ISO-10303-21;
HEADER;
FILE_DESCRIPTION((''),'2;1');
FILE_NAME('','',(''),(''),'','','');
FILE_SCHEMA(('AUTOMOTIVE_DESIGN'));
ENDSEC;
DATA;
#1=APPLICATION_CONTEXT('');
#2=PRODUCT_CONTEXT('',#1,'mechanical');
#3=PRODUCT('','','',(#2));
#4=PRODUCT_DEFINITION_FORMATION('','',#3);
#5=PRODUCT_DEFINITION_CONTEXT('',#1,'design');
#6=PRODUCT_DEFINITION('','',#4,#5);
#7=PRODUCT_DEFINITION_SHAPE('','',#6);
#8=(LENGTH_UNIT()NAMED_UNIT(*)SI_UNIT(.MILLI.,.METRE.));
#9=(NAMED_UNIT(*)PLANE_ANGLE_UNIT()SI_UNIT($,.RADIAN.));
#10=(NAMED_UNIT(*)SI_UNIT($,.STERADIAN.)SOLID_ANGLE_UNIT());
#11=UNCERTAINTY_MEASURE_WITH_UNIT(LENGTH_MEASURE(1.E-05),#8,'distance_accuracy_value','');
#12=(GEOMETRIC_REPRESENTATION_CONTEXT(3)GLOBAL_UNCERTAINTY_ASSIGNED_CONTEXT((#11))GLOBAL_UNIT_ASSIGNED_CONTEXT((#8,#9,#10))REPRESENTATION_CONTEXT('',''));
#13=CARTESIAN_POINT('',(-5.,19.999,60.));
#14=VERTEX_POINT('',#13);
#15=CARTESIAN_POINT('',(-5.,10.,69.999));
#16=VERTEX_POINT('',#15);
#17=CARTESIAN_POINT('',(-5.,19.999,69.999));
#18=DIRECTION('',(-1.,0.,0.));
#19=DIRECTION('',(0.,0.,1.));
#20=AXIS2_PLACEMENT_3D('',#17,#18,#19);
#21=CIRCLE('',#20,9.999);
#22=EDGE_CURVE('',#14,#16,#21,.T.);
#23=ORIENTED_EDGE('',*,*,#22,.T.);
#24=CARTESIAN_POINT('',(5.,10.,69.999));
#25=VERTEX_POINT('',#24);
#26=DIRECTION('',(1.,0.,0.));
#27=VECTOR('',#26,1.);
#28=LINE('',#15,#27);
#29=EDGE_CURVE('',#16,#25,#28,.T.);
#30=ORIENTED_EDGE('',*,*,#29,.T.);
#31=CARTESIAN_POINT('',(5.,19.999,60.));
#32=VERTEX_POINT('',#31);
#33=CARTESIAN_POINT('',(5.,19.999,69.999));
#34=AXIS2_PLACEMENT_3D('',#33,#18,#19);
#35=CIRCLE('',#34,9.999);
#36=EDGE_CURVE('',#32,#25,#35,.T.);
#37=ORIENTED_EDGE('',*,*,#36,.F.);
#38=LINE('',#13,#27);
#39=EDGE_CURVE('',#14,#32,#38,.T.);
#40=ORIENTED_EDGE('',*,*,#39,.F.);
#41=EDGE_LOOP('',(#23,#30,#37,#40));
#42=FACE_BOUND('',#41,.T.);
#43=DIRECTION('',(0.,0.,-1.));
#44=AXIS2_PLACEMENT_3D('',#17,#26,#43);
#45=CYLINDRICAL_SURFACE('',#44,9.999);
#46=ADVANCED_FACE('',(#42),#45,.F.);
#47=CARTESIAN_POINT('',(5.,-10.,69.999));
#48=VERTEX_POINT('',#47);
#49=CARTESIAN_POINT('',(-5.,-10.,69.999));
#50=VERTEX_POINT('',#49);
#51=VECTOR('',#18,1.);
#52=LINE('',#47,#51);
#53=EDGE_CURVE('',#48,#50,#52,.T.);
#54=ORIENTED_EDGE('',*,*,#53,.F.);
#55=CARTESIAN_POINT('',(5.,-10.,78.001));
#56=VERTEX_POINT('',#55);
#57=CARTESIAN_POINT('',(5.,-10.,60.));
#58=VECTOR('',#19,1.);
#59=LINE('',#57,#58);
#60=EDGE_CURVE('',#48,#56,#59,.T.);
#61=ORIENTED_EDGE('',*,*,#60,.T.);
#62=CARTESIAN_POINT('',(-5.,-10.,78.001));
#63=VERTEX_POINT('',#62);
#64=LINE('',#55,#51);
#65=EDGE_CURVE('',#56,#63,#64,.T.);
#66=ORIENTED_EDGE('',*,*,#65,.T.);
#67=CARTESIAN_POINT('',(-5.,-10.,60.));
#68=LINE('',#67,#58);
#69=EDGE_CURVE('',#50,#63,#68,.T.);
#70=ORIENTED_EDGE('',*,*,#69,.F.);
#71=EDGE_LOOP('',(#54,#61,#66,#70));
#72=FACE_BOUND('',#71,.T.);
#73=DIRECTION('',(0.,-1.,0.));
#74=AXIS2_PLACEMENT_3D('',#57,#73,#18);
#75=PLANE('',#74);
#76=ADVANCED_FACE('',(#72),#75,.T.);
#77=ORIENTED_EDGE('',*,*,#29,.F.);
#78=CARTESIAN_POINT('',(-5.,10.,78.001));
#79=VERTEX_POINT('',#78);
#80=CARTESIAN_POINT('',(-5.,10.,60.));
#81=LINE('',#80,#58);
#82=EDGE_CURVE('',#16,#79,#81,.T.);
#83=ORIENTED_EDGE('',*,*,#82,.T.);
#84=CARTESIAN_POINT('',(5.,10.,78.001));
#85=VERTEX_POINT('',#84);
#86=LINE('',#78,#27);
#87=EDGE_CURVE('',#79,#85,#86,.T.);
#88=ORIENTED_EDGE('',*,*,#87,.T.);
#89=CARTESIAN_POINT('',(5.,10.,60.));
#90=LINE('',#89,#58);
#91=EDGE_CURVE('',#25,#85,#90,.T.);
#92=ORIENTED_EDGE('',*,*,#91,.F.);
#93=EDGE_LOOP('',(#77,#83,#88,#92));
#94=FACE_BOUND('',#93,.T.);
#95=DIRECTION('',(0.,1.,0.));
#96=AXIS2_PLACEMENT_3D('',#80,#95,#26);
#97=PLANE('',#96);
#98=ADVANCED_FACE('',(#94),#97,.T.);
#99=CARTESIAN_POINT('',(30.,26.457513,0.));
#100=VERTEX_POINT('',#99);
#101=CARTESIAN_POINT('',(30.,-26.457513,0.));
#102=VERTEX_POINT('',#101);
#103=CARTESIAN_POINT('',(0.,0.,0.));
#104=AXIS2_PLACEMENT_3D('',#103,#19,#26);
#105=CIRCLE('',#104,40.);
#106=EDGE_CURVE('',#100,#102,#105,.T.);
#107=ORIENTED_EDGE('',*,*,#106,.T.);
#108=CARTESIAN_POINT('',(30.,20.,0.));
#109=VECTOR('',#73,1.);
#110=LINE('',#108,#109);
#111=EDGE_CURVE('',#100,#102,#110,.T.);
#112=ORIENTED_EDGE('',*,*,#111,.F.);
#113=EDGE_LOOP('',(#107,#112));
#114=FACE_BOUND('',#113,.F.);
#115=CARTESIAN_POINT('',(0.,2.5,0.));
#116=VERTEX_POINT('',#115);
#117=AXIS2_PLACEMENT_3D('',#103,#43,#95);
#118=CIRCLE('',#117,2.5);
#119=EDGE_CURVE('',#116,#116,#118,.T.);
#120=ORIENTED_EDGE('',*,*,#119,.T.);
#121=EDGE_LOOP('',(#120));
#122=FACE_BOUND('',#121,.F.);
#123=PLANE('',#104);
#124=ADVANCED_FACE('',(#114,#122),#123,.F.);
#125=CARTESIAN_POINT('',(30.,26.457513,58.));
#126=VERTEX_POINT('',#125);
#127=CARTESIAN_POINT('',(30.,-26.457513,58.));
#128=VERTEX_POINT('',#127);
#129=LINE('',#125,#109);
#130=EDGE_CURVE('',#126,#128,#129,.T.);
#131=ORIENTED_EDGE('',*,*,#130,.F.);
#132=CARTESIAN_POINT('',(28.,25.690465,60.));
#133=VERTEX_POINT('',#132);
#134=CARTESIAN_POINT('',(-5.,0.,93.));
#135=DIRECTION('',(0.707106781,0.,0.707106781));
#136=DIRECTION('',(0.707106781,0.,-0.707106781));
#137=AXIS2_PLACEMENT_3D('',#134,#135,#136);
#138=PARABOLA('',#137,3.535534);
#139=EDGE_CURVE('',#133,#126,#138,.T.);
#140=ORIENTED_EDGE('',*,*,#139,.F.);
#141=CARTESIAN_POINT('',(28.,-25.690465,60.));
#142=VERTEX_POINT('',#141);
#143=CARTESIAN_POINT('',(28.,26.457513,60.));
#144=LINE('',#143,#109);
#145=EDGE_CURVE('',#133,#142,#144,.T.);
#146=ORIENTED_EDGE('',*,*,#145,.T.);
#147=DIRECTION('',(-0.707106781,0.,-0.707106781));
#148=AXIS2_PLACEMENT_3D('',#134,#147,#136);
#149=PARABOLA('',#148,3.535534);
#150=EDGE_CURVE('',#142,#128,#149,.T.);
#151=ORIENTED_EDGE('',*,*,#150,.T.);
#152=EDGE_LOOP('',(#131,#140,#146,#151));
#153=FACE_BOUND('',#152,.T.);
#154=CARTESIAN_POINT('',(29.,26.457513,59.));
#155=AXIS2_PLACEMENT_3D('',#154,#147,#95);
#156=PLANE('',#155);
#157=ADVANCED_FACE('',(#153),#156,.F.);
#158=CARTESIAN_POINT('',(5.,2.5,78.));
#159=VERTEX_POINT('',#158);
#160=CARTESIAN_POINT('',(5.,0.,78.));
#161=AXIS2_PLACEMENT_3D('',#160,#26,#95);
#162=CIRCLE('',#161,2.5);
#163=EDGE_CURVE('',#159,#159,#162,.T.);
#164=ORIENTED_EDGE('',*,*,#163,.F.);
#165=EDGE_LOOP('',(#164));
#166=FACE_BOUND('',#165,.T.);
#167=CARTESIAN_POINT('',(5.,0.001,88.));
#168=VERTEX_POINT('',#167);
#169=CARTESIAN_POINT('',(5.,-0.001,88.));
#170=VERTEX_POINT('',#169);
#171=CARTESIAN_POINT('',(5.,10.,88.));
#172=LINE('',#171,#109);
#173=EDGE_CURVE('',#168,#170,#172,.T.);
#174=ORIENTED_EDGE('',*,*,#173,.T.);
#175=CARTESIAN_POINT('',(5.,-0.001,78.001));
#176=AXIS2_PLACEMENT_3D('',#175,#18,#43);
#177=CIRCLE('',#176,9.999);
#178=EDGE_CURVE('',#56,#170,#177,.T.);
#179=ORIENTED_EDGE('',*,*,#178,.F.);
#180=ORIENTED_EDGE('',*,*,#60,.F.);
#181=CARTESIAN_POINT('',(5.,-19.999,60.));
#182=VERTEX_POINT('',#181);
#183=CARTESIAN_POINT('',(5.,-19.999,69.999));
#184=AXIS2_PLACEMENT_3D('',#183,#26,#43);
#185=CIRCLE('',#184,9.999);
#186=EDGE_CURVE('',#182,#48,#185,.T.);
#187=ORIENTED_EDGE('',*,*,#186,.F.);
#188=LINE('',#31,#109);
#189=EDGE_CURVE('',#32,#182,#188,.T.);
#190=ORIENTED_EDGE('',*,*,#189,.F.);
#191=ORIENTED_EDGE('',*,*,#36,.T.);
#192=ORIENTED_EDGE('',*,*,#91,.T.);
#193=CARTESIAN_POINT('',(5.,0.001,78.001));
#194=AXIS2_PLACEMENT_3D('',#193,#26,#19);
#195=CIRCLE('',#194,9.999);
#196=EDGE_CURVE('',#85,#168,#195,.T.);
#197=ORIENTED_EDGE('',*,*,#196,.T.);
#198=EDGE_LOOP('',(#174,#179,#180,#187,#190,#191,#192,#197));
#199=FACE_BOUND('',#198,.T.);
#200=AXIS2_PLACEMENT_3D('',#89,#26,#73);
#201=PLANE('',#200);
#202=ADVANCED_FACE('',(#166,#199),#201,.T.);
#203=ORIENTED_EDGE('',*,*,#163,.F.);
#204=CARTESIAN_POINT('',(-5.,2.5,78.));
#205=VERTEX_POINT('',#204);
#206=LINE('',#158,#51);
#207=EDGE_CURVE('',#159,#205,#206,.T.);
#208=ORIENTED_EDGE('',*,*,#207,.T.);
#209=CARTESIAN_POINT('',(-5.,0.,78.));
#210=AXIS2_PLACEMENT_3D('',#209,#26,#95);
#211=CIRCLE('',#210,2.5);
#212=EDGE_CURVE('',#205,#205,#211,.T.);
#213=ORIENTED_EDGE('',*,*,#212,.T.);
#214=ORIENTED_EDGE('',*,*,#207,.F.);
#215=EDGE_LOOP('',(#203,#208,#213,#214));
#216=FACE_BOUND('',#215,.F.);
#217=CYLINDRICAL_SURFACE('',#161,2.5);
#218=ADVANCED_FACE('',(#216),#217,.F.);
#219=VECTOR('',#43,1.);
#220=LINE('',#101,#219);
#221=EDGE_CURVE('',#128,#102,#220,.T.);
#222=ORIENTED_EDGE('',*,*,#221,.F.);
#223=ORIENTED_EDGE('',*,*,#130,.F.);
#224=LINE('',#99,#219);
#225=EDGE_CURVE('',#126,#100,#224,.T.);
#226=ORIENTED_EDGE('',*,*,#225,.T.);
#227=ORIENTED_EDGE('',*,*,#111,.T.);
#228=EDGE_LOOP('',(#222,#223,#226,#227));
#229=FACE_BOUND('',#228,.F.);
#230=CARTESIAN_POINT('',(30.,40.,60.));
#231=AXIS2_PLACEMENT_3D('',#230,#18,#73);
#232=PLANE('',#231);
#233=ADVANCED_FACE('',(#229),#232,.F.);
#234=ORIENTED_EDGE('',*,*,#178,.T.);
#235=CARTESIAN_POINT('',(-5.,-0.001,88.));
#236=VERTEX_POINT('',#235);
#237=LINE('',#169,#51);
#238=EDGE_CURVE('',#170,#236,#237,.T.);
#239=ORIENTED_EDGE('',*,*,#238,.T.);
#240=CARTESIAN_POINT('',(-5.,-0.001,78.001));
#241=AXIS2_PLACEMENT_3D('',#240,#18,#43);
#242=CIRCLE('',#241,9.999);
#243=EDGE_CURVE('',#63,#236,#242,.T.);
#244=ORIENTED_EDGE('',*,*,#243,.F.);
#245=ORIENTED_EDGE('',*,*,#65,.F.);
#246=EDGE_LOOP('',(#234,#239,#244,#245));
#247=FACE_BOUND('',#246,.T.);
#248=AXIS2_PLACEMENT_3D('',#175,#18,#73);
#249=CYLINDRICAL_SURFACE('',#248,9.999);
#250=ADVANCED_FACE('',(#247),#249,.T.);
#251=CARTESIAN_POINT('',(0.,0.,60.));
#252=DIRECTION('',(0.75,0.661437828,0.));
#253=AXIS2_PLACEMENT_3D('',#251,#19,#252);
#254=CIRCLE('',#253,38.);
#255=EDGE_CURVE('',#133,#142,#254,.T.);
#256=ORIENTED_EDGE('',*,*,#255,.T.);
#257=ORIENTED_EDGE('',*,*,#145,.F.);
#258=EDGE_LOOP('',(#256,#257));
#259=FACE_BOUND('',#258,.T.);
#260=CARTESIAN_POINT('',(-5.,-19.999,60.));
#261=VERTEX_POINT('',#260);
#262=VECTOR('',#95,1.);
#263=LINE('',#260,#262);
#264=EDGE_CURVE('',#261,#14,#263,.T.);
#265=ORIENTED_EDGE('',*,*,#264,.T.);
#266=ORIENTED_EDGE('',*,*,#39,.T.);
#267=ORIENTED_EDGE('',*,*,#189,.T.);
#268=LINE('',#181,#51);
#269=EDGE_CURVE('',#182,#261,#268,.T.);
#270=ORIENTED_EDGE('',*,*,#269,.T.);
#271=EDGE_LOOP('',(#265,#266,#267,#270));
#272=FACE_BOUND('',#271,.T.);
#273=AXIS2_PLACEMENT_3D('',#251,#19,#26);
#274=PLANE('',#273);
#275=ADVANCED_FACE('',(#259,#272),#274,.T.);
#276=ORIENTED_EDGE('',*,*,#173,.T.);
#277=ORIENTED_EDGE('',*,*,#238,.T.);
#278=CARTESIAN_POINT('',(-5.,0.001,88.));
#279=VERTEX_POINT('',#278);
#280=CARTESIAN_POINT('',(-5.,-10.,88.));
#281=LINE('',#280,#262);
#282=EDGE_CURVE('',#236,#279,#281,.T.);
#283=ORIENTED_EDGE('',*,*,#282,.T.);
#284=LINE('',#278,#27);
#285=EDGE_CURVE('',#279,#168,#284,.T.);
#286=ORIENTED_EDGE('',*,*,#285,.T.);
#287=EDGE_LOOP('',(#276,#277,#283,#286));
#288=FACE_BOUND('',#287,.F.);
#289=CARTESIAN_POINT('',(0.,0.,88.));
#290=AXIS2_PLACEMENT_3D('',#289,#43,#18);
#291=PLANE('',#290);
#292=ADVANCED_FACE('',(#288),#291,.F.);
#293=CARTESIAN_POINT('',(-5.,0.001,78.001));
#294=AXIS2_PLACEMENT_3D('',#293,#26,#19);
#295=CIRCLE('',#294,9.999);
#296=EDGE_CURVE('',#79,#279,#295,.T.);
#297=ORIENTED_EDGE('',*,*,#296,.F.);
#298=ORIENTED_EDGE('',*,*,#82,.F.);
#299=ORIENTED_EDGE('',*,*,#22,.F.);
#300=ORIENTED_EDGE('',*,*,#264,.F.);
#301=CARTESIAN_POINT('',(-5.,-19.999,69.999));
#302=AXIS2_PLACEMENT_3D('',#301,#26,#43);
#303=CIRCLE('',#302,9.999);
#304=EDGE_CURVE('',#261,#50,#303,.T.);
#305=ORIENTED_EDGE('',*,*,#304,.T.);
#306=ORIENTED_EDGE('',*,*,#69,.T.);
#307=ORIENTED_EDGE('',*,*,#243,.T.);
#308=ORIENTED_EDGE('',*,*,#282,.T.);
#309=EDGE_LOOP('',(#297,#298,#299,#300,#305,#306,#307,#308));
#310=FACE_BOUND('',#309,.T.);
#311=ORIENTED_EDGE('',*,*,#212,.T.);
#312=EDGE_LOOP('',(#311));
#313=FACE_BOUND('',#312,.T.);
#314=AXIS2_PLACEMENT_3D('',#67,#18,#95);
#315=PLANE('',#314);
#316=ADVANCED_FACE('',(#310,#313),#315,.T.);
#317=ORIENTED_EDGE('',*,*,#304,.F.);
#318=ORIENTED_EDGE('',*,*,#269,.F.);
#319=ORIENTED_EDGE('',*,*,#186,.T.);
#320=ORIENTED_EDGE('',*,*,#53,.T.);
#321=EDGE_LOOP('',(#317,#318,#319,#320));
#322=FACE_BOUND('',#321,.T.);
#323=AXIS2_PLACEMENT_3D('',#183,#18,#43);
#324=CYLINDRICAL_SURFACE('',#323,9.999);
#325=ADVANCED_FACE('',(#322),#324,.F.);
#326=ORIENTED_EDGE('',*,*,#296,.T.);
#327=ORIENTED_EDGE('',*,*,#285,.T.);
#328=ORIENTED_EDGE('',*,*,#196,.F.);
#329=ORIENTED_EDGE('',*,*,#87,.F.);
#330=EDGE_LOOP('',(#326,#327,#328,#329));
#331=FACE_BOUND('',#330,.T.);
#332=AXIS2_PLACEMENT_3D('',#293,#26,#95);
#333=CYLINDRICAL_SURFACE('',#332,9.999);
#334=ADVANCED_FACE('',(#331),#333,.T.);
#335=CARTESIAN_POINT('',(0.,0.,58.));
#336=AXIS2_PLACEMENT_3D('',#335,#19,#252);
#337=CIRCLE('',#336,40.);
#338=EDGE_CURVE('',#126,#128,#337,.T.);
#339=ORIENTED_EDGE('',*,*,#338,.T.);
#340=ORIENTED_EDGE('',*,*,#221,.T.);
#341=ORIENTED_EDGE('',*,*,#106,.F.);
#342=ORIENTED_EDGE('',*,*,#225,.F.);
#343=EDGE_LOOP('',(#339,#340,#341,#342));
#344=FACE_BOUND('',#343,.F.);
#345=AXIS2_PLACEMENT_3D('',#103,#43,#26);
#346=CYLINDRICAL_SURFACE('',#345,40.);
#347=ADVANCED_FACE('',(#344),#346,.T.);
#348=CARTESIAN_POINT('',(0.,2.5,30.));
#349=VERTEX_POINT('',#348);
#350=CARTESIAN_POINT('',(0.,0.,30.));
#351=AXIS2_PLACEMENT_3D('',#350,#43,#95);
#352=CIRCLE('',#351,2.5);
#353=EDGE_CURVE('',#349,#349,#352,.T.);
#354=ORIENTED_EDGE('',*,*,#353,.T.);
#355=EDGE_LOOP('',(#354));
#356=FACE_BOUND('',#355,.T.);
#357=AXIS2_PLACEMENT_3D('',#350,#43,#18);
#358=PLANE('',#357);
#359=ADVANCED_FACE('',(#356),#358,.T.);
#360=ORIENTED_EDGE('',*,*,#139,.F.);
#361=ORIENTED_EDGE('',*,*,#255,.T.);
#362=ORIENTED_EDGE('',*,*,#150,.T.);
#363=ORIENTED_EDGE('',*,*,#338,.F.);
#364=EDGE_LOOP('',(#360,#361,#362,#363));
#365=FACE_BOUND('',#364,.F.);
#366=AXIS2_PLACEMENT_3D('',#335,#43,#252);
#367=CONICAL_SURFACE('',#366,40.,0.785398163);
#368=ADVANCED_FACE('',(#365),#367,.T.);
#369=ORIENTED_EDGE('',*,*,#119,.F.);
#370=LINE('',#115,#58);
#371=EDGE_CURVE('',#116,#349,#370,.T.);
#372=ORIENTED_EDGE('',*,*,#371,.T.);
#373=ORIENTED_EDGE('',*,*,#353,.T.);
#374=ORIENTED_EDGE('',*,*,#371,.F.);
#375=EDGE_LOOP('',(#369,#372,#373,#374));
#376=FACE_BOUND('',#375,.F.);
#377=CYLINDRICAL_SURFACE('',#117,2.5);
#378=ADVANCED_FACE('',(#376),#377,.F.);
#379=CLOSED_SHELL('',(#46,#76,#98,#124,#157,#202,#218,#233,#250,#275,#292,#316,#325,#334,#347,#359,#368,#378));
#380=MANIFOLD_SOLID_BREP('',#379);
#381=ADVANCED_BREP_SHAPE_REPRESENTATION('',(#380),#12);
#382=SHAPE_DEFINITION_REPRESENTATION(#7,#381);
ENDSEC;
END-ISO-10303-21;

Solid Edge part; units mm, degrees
sketch "Sketch1" plane through (0, 0, 0) normal (0, 0, 1) x (1, 0, 0)
  circle A0 centre (0, 0) radius 40
extrude "Protrusion1" add sketch "Sketch1" along normal blind 60
sketch "Sketch2" plane through (0, 0, 60) normal (0, 0, 1) x (0, 1, 0)
  line L0 (10, -5) -> (-10, -5)
  line L1 (-10, -5) -> (-10, 5)
  line L2 (-10, 5) -> (10, 5)
  line L3 (10, 5) -> (10, -5)
extrude "ProtrusiónExtruida_2" add sketch "Sketch2" along normal blind 28
sketch "Sketch3" plane through (5, 0, 74) normal (1, 0, 0) x (0, 1, 0)
  circle A0 centre (0, 4) radius 2.5
extrude "Cutout1" cut sketch "Sketch3" against normal up to next
fillet "Redondeo_1" radius 10 4 edges at (0, -10, 88) (0, 10, 88) (0, -10, 60) (0, 10, 60)
sketch "Sketch4" plane through (0, 0, 0) normal (0, 0, -1) x (0, 1, 0)
  circle A0 centre (0, 0) radius 2.5
extrude "VaciadoExtruido_2" cut sketch "Sketch4" against normal blind 30
sketch "Sketch5" plane through (0, 0, 60) normal (0, 0, 1) x (0, 1, 0)
  line L0 (-40, -40) -> (40, -40)
  line L1 (40, -40) -> (40, -30)
  line L2 (40, -30) -> (-40, -30)
  line L3 (-40, -30) -> (-40, -40)
extrude "Cutout2" cut sketch "Sketch5" against normal through all
chamfer "Chaflán_1" distance 2 angle 45 2 edges at (-40, 0, 60) (30, 0, 60)
